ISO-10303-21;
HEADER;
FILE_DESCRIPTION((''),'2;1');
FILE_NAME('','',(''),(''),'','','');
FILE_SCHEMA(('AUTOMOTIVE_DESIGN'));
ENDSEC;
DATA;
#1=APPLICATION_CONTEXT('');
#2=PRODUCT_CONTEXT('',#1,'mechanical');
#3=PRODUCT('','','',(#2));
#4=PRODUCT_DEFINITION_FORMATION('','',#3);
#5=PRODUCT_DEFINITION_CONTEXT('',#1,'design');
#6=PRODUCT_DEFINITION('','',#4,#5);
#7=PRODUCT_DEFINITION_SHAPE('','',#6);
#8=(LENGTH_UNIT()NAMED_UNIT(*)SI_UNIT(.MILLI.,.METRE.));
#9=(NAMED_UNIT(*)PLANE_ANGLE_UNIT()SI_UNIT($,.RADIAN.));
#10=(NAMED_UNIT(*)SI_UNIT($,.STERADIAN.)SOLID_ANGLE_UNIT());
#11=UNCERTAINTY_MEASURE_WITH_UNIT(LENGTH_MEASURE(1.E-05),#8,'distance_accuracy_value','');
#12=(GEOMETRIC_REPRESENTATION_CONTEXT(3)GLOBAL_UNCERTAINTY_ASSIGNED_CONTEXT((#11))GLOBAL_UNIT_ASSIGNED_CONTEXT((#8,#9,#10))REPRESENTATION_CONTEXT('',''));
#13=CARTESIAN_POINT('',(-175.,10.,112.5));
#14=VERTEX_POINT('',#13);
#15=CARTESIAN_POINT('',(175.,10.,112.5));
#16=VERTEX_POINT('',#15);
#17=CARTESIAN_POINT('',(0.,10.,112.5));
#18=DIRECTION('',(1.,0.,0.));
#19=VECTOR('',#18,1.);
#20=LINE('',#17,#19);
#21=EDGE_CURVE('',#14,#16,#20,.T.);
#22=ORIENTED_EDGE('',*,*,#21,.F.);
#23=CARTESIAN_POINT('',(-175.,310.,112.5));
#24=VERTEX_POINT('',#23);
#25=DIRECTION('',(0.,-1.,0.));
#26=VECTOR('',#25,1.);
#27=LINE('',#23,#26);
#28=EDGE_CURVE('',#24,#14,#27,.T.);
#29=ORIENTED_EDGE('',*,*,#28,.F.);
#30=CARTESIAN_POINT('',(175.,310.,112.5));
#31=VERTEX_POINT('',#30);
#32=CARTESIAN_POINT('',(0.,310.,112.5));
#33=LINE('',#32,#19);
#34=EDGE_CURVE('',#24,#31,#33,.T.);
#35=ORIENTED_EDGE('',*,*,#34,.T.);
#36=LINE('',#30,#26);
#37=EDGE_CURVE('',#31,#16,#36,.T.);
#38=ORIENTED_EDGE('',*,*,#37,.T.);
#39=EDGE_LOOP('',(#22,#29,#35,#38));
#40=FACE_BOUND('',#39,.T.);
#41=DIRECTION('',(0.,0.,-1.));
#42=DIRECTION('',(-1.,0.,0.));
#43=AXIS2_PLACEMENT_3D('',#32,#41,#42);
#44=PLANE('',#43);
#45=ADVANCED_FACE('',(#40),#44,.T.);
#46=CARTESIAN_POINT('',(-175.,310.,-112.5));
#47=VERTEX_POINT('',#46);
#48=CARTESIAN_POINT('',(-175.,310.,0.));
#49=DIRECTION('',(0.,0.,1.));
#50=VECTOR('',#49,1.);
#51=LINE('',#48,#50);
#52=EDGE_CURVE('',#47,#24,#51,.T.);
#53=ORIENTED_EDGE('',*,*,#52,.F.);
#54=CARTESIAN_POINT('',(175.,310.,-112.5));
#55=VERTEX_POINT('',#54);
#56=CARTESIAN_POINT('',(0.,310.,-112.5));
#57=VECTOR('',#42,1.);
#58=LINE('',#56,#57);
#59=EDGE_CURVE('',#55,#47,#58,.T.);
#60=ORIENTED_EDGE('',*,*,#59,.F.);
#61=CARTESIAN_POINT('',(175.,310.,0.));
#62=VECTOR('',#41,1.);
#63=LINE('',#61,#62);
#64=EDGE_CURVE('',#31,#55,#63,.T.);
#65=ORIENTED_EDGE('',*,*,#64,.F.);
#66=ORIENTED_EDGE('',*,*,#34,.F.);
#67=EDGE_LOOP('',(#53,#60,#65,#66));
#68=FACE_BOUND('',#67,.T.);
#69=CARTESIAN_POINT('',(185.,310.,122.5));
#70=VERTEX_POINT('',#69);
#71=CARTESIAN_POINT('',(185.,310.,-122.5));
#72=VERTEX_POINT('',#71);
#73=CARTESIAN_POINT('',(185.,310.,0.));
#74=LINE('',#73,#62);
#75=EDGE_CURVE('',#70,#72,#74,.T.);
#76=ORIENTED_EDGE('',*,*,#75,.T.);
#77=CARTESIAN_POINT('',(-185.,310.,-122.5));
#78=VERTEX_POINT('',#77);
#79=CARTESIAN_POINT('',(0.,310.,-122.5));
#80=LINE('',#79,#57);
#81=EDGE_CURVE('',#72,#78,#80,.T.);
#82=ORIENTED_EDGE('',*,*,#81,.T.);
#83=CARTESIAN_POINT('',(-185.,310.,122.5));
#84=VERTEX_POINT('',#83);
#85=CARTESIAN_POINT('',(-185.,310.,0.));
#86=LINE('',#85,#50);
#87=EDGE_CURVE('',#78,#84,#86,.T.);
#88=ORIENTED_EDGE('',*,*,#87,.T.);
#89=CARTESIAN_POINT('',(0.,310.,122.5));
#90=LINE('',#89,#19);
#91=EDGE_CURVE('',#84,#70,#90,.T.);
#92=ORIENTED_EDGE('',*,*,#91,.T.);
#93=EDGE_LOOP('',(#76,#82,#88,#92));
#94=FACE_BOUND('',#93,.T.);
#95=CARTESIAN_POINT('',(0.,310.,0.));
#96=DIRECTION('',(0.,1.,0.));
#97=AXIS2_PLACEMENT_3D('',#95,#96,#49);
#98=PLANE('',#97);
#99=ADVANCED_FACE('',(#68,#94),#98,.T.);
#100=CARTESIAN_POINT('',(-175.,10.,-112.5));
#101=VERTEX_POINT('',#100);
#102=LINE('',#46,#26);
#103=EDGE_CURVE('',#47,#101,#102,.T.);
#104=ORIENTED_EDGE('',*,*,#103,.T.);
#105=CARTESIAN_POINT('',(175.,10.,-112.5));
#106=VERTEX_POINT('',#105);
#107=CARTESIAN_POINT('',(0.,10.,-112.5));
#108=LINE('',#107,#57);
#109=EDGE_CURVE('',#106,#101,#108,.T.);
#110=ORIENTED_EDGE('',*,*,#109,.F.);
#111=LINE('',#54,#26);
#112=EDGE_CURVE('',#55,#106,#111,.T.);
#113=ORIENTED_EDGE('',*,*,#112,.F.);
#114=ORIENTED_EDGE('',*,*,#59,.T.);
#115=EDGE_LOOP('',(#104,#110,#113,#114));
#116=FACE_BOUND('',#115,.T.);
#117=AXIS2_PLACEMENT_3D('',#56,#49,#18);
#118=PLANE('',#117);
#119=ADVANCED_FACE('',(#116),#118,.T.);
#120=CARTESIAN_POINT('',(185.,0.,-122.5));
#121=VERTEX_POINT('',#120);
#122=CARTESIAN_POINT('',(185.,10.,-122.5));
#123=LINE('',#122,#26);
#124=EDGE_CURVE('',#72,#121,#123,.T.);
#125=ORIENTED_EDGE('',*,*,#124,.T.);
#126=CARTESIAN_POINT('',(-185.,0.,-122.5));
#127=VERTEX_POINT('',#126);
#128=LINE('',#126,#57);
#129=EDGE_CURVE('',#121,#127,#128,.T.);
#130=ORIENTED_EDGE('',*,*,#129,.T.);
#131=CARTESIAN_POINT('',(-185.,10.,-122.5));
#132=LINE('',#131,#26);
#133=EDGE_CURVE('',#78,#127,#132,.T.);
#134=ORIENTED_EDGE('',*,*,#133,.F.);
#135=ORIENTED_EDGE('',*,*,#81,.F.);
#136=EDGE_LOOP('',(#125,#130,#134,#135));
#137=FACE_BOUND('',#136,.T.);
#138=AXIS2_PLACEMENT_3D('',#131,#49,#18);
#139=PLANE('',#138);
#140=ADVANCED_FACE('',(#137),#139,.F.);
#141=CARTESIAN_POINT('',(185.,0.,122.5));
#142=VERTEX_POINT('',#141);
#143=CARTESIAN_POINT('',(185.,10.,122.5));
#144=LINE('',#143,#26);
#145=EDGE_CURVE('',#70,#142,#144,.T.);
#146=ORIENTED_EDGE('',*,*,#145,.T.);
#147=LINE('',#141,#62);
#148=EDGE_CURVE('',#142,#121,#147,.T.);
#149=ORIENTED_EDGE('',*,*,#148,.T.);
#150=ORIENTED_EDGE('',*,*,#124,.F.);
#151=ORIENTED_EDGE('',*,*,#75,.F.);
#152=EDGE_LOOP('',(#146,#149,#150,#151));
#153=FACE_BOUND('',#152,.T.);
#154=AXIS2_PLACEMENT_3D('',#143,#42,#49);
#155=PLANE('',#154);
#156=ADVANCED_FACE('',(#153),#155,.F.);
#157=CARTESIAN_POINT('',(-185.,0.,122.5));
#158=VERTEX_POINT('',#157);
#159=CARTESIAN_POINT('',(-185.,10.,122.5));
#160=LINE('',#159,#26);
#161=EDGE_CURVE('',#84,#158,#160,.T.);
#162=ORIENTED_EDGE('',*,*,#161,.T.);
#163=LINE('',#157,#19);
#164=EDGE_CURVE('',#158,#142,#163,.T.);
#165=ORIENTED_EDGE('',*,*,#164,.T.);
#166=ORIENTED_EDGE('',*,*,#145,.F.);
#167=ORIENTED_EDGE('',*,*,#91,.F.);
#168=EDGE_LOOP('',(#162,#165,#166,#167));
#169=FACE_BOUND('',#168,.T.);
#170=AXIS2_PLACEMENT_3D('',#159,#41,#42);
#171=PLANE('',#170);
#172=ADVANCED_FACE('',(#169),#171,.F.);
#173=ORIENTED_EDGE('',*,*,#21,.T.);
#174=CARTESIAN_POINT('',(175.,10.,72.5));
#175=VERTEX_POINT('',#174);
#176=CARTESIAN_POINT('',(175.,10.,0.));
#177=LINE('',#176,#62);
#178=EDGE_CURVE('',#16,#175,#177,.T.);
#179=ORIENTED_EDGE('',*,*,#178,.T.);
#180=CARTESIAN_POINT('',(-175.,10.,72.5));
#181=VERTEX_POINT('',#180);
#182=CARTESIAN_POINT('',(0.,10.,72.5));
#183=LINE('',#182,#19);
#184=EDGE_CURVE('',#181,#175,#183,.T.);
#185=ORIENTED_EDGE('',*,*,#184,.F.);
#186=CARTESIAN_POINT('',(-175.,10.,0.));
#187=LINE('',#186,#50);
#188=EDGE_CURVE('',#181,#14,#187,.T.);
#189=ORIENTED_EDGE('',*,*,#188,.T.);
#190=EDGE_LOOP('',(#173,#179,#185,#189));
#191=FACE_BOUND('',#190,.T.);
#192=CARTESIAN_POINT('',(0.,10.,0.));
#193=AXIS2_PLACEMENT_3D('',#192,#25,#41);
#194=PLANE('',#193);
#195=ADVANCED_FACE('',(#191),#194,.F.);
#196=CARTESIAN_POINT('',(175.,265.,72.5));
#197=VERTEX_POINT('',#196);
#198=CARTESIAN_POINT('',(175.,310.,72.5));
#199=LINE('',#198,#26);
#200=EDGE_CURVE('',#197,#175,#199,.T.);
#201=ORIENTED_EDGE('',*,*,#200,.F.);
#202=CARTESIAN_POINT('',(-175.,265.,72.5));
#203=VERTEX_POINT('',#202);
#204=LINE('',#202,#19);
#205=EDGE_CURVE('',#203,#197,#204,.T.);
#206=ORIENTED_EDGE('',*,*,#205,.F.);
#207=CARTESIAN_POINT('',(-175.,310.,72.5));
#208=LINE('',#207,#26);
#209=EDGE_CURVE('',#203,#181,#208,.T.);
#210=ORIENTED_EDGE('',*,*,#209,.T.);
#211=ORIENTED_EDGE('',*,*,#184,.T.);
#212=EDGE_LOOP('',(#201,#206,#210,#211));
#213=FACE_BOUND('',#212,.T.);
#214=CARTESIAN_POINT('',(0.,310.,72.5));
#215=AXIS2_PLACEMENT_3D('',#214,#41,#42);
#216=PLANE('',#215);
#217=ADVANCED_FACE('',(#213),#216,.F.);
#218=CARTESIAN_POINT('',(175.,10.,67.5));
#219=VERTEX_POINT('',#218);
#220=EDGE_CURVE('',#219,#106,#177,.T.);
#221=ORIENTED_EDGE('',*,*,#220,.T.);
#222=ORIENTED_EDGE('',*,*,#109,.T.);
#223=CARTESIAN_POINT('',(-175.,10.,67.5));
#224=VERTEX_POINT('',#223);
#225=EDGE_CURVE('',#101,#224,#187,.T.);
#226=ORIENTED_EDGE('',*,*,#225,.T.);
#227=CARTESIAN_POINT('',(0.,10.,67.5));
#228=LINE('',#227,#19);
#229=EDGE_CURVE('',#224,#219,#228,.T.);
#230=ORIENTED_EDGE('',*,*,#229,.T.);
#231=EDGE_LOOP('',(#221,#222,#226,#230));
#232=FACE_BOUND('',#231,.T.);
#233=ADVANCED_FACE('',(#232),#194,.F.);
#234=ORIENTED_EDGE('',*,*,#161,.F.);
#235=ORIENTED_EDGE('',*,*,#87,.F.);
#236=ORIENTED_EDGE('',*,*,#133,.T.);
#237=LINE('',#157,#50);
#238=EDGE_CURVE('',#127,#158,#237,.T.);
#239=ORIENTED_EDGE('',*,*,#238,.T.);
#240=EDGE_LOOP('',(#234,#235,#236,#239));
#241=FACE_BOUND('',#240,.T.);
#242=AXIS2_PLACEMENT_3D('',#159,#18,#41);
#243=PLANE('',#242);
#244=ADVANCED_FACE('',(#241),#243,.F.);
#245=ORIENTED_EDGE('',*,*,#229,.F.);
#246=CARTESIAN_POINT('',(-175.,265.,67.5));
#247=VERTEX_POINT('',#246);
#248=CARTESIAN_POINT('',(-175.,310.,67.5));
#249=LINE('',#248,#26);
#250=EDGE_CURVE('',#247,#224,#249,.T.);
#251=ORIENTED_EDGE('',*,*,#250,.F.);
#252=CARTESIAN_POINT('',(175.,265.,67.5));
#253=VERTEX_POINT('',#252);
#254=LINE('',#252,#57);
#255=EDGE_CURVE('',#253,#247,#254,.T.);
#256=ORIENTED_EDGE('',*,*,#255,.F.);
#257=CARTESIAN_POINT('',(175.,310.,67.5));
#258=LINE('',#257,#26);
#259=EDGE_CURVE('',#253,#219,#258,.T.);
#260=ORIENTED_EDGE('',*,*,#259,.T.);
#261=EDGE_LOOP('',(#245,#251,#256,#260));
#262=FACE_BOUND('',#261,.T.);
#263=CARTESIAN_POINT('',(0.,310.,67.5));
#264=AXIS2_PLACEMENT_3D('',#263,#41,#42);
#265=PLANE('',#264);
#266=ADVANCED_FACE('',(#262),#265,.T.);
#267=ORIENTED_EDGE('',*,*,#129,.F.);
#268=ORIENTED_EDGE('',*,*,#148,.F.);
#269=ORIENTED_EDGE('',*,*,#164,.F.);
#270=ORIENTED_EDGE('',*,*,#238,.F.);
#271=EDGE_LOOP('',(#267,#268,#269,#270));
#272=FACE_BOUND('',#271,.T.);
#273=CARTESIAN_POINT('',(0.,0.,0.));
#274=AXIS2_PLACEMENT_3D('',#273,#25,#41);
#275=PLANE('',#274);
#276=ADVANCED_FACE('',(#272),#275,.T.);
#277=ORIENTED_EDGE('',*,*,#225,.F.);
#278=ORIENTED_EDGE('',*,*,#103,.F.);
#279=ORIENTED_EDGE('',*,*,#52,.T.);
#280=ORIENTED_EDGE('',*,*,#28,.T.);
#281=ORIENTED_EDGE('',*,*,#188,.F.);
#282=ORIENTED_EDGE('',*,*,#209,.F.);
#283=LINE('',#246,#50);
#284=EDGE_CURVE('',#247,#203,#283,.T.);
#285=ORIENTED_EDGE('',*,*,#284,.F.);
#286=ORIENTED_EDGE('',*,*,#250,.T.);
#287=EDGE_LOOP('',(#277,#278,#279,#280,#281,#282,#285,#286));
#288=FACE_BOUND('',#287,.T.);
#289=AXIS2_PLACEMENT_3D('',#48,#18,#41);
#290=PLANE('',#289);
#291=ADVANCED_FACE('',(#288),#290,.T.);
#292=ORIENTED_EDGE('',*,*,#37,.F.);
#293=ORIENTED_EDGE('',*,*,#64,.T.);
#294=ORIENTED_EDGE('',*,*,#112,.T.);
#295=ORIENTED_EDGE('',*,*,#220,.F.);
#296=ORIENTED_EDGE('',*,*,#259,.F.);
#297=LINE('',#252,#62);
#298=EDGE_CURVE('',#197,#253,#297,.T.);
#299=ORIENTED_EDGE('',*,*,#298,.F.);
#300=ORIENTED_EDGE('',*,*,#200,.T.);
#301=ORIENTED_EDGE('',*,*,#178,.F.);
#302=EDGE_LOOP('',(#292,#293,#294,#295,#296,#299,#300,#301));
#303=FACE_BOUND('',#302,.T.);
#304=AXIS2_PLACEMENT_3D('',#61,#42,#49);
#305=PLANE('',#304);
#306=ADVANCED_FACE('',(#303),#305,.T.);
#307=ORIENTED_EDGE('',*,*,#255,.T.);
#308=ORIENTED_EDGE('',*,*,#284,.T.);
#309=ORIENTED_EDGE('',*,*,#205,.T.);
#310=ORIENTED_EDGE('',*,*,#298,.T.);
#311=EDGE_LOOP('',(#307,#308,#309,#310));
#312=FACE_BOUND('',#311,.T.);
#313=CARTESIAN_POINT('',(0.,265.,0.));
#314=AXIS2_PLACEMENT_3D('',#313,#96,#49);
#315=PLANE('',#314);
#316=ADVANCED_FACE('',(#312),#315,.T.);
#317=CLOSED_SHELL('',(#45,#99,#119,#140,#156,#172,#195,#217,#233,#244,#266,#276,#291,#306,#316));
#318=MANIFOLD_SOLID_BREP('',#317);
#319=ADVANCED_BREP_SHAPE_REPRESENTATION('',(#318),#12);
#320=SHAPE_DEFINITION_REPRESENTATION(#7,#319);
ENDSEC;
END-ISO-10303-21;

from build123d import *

# Parameters (mm, degrees)
SKETCH1_W           = 370
SKETCH1_H           = 245
BOSS_EXTRUDE1_DEPTH = 10
SKETCH2_W           = 370
SKETCH2_H           = 245
SKETCH2_W_2         = 350
SKETCH2_H_2         = 225
SKETCH2_H_3         = 5
BOSS_EXTRUDE3_DEPTH = 300
SKETCH3_W           = 350
SKETCH3_H           = 5
CUT_EXTRUDE1_DEPTH  = 45


with BuildPart() as part:
    # Sketch1 → Boss-Extrude1 (new body)
    with BuildSketch(Plane(origin=(0, 0, 0), x_dir=(1, 0, 0), z_dir=(0, 1, 0))):
        Rectangle(SKETCH1_W, SKETCH1_H)
    extrude(amount=BOSS_EXTRUDE1_DEPTH)

    # Sketch2 → Boss-Extrude3 (add)
    # profile 1 of 2: a face of its own
    with BuildSketch(Plane(origin=(0, 10, 0), x_dir=(1, 0, 0), z_dir=(0, 1, 0))):
        Rectangle(SKETCH2_W, SKETCH2_H)
        Rectangle(SKETCH2_W_2, SKETCH2_H_2, mode=Mode.SUBTRACT)
    # profile 2 of 2: a face of its own
    with BuildSketch(Plane(origin=(0, 10, 0), x_dir=(1, 0, 0), z_dir=(0, 1, 0))):
        with Locations((0, -70)):
            Rectangle(SKETCH2_W_2, SKETCH2_H_3)
    extrude(amount=BOSS_EXTRUDE3_DEPTH)

    # Sketch3 → Cut-Extrude1 (cut)
    with BuildSketch(Plane(origin=(0, 310, 0), x_dir=(1, 0, 0), z_dir=(0, 1, 0))):
        with Locations((0, -70)):
            Rectangle(SKETCH3_W, SKETCH3_H)
    extrude(amount=-CUT_EXTRUDE1_DEPTH, mode=Mode.SUBTRACT)


solid = part.part
